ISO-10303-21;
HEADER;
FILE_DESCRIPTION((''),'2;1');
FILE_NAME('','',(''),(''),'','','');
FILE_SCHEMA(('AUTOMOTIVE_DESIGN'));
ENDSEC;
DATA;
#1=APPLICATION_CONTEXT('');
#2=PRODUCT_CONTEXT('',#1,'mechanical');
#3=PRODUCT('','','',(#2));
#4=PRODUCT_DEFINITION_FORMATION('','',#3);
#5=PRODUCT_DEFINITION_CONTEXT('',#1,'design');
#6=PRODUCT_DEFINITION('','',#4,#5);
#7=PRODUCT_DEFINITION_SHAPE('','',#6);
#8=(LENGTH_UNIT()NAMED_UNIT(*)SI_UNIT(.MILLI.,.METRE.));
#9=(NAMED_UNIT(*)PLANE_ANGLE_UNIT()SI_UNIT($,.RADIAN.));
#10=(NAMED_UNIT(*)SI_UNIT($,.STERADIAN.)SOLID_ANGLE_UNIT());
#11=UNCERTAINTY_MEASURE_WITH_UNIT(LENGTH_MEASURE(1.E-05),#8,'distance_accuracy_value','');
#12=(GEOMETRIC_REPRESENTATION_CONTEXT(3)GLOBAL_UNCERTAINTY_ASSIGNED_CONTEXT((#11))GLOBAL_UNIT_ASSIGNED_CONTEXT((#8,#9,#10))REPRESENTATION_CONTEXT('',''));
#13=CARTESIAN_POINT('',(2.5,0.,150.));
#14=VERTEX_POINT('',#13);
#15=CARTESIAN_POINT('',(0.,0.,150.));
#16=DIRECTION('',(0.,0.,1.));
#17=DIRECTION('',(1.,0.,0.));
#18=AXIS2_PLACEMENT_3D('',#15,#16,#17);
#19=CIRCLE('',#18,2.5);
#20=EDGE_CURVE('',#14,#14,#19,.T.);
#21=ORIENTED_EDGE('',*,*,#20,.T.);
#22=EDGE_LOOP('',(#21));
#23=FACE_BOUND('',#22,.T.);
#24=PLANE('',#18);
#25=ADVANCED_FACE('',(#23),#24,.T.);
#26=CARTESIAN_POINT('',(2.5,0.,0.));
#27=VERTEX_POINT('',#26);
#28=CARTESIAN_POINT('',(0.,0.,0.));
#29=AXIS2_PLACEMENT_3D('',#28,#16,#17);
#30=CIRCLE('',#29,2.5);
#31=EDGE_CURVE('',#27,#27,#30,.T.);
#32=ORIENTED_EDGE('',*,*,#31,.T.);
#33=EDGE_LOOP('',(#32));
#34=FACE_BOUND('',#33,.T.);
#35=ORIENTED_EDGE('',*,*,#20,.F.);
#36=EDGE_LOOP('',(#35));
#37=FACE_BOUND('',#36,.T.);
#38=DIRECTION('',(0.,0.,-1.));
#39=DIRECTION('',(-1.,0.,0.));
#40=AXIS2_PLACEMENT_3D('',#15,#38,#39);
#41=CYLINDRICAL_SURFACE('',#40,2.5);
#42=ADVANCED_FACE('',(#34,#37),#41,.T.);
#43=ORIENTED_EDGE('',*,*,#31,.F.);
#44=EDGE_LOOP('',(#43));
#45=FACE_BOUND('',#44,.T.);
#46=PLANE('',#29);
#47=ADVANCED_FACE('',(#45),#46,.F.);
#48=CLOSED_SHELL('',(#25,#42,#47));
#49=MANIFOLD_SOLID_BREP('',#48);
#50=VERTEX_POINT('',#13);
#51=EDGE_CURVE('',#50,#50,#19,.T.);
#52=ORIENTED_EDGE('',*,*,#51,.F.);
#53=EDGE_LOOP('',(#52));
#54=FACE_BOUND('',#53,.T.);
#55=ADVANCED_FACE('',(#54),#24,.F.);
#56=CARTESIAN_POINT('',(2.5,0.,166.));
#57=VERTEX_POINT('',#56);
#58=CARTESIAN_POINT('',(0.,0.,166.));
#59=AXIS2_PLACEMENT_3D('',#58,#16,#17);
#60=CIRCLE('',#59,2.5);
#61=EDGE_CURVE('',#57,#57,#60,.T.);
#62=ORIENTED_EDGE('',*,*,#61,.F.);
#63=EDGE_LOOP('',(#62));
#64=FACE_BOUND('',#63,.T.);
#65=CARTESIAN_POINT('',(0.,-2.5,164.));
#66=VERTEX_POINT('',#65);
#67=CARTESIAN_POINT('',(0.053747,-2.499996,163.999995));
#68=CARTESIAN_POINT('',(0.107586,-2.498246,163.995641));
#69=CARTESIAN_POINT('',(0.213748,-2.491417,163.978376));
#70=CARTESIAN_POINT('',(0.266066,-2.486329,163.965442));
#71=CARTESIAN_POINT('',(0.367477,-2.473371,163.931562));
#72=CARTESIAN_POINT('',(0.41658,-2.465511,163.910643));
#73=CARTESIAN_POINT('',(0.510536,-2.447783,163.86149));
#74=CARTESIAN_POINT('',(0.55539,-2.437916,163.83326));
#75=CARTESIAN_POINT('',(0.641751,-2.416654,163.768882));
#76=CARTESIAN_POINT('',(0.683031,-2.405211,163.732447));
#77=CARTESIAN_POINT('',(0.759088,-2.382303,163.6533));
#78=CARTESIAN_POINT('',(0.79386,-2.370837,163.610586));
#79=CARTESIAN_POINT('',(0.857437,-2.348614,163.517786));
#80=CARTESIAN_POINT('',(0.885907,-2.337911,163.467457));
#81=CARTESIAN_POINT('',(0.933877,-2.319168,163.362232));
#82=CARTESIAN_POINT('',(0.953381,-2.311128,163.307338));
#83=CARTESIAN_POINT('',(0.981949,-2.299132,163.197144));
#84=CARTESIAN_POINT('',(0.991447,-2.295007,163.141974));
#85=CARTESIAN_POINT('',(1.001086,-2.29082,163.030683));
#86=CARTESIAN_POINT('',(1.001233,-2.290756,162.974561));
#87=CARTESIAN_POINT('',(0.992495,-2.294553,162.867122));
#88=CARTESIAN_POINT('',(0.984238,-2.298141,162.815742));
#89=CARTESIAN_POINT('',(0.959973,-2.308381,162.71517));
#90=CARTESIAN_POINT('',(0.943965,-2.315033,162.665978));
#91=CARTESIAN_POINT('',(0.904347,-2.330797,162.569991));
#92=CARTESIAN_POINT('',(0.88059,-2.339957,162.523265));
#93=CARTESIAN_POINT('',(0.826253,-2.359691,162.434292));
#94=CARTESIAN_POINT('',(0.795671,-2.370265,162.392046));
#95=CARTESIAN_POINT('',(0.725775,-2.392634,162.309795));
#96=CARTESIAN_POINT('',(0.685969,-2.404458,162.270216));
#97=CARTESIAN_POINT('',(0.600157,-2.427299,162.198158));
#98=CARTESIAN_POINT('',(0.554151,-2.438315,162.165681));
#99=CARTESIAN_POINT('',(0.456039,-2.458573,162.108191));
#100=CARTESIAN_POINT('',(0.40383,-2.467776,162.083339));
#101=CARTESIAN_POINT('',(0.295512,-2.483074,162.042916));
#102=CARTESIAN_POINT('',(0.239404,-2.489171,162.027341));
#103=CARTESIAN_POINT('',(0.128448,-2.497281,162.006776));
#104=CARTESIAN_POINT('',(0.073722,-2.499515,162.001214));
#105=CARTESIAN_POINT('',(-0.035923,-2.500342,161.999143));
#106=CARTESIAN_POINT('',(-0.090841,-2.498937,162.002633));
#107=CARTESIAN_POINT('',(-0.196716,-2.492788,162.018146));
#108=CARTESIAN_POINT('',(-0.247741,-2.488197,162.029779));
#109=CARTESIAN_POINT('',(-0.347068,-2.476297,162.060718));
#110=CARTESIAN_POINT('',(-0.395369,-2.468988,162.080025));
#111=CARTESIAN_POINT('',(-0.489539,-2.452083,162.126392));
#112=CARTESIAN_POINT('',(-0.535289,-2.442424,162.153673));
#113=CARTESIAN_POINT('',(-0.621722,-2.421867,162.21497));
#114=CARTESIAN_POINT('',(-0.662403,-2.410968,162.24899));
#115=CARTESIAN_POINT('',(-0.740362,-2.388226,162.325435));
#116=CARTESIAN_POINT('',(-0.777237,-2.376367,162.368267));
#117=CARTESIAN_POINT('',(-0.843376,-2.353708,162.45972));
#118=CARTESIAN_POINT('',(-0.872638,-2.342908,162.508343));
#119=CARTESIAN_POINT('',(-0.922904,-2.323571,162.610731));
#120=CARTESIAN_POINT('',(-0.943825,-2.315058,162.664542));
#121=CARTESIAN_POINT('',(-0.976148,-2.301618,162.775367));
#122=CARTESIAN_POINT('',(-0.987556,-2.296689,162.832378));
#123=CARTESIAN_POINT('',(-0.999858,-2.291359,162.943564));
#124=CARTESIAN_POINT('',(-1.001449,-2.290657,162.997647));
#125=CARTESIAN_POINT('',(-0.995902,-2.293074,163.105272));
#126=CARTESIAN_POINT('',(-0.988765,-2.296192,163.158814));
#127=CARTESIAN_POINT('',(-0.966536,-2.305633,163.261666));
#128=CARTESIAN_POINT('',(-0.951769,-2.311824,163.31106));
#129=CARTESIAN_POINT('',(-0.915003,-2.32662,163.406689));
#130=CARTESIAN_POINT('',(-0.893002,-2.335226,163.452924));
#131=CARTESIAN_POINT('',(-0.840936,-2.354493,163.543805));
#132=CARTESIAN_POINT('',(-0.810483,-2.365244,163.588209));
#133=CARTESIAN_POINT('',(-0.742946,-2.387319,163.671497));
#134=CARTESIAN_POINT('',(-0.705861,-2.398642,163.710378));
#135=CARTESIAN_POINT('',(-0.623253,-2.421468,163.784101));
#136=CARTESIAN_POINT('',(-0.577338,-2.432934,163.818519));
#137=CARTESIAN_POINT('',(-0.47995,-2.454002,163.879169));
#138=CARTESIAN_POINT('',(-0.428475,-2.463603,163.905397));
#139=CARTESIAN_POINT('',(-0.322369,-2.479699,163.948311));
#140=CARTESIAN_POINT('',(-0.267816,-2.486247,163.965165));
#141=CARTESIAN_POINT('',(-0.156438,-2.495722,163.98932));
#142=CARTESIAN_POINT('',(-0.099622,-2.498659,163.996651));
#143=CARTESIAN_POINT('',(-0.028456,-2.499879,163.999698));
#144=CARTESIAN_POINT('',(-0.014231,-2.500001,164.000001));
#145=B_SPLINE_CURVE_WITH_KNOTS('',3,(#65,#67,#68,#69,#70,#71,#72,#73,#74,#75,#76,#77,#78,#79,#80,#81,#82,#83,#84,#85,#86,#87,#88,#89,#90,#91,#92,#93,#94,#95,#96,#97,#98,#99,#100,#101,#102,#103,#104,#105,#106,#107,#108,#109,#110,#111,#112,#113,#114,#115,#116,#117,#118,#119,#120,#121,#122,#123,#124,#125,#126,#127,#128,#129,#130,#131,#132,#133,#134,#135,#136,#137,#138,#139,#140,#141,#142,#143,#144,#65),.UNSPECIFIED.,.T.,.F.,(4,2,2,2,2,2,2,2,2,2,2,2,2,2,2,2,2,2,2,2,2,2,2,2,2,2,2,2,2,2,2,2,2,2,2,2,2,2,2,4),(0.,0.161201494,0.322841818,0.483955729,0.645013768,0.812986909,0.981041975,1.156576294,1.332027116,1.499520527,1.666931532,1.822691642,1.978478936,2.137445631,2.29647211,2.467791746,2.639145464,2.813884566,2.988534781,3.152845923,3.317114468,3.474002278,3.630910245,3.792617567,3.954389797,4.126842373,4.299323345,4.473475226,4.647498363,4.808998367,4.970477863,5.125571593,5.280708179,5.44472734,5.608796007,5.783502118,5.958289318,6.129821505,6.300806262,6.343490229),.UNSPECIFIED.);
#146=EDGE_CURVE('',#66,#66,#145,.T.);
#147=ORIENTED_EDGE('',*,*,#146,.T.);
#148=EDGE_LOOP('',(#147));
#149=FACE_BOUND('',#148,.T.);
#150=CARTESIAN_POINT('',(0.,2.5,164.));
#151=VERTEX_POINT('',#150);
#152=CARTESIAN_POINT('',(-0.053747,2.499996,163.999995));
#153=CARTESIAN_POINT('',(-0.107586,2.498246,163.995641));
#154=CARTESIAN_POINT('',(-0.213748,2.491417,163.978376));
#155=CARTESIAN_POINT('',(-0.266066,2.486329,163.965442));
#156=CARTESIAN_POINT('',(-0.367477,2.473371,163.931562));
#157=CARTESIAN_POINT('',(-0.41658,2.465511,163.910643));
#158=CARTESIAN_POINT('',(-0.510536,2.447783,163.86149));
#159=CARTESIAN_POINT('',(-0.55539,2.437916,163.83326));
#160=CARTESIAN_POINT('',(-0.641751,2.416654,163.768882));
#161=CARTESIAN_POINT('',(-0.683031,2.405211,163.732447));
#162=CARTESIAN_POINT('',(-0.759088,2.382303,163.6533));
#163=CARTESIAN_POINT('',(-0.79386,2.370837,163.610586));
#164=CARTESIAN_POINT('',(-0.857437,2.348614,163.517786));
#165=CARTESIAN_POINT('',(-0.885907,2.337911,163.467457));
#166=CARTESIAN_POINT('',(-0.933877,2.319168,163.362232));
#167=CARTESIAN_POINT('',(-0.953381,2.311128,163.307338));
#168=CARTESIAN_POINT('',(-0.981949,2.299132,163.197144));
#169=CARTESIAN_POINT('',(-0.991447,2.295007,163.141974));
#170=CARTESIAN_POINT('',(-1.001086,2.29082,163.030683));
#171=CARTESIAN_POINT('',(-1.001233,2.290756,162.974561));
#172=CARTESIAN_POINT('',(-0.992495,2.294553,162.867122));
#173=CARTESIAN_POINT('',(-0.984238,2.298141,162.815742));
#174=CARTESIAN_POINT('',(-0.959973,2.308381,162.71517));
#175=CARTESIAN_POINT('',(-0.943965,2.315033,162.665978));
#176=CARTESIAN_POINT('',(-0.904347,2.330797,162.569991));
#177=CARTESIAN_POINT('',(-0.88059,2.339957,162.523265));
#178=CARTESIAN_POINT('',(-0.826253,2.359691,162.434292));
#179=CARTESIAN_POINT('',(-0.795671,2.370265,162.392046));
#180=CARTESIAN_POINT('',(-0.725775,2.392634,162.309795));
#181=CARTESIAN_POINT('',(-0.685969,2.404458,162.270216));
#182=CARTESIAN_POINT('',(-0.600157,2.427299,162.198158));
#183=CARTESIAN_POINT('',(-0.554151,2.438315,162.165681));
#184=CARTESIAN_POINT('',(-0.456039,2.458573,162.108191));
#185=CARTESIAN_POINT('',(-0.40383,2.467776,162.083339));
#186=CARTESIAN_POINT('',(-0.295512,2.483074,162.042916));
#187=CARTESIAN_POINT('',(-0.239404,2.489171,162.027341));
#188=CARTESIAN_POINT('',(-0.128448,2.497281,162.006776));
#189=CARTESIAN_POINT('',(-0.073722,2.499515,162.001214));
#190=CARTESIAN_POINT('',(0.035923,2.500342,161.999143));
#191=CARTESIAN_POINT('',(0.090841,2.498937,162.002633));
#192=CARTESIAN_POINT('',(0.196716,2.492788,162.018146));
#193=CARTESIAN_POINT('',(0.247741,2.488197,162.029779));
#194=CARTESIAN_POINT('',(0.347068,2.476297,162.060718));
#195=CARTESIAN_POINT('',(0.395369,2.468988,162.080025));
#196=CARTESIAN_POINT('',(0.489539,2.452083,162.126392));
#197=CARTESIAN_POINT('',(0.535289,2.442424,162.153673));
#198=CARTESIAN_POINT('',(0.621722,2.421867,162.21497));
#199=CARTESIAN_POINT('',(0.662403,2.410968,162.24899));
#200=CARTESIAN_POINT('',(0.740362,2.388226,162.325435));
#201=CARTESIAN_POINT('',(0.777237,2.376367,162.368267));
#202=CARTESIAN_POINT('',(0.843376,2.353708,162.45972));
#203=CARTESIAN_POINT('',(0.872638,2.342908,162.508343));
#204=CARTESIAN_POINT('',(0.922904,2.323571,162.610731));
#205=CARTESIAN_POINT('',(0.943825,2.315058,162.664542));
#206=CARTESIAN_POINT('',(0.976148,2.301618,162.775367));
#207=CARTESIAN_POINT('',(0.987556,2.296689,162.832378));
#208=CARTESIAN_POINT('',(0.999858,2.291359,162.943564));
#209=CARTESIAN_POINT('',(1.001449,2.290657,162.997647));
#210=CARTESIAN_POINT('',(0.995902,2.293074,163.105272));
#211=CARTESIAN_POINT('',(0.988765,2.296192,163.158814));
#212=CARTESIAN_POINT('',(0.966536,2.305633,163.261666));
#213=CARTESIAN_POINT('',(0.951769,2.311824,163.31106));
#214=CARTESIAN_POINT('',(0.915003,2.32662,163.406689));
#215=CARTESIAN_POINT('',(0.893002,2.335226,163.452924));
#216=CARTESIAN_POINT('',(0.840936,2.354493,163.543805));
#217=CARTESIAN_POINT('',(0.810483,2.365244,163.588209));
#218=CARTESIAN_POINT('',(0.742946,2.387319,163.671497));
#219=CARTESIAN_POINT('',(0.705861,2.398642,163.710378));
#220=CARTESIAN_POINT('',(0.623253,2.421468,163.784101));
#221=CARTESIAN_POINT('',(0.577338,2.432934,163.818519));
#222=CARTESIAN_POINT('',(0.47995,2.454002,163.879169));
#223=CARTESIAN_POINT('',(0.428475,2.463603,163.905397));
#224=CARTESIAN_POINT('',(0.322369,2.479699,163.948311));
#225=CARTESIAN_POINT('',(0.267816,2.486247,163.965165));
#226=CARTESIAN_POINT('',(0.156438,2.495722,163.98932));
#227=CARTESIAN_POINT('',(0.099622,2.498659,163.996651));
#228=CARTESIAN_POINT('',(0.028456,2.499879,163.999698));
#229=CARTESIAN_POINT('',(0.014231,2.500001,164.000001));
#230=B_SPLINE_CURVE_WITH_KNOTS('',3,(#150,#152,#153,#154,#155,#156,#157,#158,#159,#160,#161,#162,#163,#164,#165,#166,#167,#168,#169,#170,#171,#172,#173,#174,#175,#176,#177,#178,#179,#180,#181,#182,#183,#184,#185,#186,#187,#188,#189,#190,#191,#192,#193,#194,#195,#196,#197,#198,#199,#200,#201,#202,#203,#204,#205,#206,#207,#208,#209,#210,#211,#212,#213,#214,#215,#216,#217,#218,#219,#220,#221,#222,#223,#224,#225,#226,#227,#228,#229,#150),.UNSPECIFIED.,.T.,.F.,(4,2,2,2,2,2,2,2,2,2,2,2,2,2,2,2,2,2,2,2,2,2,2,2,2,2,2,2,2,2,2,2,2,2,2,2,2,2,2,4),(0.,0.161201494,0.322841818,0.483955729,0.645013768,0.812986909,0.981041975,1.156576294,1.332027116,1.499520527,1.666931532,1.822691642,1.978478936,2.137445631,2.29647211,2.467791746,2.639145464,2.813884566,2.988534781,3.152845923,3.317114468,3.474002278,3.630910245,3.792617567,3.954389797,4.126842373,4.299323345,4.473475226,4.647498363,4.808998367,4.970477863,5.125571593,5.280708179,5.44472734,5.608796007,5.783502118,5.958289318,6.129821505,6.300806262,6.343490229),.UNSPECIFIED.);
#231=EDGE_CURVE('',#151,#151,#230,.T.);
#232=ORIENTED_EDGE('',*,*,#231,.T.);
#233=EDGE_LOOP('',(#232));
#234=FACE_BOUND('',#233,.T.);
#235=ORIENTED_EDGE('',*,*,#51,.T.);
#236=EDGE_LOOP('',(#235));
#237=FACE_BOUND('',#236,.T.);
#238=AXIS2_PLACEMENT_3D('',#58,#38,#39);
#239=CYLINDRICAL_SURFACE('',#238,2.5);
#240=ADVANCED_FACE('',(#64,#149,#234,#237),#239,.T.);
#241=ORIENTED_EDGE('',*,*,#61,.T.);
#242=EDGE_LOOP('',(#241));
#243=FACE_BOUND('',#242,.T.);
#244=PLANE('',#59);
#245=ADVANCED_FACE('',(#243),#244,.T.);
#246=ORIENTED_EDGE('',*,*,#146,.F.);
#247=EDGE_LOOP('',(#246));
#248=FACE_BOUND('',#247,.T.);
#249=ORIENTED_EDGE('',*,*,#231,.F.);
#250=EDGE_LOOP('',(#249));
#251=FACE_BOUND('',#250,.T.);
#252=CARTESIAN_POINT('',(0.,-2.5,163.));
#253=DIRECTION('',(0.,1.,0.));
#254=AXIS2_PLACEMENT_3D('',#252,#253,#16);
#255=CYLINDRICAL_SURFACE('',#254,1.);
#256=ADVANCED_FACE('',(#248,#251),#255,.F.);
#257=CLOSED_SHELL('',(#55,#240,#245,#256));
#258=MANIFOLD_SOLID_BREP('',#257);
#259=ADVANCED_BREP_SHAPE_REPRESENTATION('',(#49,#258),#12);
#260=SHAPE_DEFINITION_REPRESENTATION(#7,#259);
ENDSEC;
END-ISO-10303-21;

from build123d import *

# Parameters (mm, degrees)
SKETCH_1_R               = 2.5
EXTRUDE_1_DEPTH          = 150
SKETCH_2_R               = 2.5
EXTRUDE_2_DEPTH          = 16
SKETCH_3_R               = 1
CUT_EXTRUDE_1_DEPTH      = 3.5
CUT_EXTRUDE_1_DEPTH_BACK = 3.5


with BuildPart() as part:
    # 草图1 → 凸台-拉伸1 (new body)
    with BuildSketch(Plane.XY):
        Circle(SKETCH_1_R)
    extrude(amount=EXTRUDE_1_DEPTH)


with BuildPart() as body_2:
    # 草图2 → 凸台-拉伸2 (new body)
    with BuildSketch(Plane.XY.offset(150)):
        Circle(SKETCH_2_R)
    extrude(amount=EXTRUDE_2_DEPTH)

    # 草图3 → 切除-拉伸1 (cut, two sides)
    with BuildSketch(Plane(origin=(0, 0, 0), x_dir=(1, 0, 0), z_dir=(0, 1, 0))) as cut_extrude_1_sk:
        with Locations((0, -163)):
            Circle(SKETCH_3_R)
    extrude(amount=CUT_EXTRUDE_1_DEPTH, mode=Mode.SUBTRACT)
    extrude(cut_extrude_1_sk.sketch, amount=-CUT_EXTRUDE_1_DEPTH_BACK, mode=Mode.SUBTRACT)


solid = Compound([part.part, body_2.part])
